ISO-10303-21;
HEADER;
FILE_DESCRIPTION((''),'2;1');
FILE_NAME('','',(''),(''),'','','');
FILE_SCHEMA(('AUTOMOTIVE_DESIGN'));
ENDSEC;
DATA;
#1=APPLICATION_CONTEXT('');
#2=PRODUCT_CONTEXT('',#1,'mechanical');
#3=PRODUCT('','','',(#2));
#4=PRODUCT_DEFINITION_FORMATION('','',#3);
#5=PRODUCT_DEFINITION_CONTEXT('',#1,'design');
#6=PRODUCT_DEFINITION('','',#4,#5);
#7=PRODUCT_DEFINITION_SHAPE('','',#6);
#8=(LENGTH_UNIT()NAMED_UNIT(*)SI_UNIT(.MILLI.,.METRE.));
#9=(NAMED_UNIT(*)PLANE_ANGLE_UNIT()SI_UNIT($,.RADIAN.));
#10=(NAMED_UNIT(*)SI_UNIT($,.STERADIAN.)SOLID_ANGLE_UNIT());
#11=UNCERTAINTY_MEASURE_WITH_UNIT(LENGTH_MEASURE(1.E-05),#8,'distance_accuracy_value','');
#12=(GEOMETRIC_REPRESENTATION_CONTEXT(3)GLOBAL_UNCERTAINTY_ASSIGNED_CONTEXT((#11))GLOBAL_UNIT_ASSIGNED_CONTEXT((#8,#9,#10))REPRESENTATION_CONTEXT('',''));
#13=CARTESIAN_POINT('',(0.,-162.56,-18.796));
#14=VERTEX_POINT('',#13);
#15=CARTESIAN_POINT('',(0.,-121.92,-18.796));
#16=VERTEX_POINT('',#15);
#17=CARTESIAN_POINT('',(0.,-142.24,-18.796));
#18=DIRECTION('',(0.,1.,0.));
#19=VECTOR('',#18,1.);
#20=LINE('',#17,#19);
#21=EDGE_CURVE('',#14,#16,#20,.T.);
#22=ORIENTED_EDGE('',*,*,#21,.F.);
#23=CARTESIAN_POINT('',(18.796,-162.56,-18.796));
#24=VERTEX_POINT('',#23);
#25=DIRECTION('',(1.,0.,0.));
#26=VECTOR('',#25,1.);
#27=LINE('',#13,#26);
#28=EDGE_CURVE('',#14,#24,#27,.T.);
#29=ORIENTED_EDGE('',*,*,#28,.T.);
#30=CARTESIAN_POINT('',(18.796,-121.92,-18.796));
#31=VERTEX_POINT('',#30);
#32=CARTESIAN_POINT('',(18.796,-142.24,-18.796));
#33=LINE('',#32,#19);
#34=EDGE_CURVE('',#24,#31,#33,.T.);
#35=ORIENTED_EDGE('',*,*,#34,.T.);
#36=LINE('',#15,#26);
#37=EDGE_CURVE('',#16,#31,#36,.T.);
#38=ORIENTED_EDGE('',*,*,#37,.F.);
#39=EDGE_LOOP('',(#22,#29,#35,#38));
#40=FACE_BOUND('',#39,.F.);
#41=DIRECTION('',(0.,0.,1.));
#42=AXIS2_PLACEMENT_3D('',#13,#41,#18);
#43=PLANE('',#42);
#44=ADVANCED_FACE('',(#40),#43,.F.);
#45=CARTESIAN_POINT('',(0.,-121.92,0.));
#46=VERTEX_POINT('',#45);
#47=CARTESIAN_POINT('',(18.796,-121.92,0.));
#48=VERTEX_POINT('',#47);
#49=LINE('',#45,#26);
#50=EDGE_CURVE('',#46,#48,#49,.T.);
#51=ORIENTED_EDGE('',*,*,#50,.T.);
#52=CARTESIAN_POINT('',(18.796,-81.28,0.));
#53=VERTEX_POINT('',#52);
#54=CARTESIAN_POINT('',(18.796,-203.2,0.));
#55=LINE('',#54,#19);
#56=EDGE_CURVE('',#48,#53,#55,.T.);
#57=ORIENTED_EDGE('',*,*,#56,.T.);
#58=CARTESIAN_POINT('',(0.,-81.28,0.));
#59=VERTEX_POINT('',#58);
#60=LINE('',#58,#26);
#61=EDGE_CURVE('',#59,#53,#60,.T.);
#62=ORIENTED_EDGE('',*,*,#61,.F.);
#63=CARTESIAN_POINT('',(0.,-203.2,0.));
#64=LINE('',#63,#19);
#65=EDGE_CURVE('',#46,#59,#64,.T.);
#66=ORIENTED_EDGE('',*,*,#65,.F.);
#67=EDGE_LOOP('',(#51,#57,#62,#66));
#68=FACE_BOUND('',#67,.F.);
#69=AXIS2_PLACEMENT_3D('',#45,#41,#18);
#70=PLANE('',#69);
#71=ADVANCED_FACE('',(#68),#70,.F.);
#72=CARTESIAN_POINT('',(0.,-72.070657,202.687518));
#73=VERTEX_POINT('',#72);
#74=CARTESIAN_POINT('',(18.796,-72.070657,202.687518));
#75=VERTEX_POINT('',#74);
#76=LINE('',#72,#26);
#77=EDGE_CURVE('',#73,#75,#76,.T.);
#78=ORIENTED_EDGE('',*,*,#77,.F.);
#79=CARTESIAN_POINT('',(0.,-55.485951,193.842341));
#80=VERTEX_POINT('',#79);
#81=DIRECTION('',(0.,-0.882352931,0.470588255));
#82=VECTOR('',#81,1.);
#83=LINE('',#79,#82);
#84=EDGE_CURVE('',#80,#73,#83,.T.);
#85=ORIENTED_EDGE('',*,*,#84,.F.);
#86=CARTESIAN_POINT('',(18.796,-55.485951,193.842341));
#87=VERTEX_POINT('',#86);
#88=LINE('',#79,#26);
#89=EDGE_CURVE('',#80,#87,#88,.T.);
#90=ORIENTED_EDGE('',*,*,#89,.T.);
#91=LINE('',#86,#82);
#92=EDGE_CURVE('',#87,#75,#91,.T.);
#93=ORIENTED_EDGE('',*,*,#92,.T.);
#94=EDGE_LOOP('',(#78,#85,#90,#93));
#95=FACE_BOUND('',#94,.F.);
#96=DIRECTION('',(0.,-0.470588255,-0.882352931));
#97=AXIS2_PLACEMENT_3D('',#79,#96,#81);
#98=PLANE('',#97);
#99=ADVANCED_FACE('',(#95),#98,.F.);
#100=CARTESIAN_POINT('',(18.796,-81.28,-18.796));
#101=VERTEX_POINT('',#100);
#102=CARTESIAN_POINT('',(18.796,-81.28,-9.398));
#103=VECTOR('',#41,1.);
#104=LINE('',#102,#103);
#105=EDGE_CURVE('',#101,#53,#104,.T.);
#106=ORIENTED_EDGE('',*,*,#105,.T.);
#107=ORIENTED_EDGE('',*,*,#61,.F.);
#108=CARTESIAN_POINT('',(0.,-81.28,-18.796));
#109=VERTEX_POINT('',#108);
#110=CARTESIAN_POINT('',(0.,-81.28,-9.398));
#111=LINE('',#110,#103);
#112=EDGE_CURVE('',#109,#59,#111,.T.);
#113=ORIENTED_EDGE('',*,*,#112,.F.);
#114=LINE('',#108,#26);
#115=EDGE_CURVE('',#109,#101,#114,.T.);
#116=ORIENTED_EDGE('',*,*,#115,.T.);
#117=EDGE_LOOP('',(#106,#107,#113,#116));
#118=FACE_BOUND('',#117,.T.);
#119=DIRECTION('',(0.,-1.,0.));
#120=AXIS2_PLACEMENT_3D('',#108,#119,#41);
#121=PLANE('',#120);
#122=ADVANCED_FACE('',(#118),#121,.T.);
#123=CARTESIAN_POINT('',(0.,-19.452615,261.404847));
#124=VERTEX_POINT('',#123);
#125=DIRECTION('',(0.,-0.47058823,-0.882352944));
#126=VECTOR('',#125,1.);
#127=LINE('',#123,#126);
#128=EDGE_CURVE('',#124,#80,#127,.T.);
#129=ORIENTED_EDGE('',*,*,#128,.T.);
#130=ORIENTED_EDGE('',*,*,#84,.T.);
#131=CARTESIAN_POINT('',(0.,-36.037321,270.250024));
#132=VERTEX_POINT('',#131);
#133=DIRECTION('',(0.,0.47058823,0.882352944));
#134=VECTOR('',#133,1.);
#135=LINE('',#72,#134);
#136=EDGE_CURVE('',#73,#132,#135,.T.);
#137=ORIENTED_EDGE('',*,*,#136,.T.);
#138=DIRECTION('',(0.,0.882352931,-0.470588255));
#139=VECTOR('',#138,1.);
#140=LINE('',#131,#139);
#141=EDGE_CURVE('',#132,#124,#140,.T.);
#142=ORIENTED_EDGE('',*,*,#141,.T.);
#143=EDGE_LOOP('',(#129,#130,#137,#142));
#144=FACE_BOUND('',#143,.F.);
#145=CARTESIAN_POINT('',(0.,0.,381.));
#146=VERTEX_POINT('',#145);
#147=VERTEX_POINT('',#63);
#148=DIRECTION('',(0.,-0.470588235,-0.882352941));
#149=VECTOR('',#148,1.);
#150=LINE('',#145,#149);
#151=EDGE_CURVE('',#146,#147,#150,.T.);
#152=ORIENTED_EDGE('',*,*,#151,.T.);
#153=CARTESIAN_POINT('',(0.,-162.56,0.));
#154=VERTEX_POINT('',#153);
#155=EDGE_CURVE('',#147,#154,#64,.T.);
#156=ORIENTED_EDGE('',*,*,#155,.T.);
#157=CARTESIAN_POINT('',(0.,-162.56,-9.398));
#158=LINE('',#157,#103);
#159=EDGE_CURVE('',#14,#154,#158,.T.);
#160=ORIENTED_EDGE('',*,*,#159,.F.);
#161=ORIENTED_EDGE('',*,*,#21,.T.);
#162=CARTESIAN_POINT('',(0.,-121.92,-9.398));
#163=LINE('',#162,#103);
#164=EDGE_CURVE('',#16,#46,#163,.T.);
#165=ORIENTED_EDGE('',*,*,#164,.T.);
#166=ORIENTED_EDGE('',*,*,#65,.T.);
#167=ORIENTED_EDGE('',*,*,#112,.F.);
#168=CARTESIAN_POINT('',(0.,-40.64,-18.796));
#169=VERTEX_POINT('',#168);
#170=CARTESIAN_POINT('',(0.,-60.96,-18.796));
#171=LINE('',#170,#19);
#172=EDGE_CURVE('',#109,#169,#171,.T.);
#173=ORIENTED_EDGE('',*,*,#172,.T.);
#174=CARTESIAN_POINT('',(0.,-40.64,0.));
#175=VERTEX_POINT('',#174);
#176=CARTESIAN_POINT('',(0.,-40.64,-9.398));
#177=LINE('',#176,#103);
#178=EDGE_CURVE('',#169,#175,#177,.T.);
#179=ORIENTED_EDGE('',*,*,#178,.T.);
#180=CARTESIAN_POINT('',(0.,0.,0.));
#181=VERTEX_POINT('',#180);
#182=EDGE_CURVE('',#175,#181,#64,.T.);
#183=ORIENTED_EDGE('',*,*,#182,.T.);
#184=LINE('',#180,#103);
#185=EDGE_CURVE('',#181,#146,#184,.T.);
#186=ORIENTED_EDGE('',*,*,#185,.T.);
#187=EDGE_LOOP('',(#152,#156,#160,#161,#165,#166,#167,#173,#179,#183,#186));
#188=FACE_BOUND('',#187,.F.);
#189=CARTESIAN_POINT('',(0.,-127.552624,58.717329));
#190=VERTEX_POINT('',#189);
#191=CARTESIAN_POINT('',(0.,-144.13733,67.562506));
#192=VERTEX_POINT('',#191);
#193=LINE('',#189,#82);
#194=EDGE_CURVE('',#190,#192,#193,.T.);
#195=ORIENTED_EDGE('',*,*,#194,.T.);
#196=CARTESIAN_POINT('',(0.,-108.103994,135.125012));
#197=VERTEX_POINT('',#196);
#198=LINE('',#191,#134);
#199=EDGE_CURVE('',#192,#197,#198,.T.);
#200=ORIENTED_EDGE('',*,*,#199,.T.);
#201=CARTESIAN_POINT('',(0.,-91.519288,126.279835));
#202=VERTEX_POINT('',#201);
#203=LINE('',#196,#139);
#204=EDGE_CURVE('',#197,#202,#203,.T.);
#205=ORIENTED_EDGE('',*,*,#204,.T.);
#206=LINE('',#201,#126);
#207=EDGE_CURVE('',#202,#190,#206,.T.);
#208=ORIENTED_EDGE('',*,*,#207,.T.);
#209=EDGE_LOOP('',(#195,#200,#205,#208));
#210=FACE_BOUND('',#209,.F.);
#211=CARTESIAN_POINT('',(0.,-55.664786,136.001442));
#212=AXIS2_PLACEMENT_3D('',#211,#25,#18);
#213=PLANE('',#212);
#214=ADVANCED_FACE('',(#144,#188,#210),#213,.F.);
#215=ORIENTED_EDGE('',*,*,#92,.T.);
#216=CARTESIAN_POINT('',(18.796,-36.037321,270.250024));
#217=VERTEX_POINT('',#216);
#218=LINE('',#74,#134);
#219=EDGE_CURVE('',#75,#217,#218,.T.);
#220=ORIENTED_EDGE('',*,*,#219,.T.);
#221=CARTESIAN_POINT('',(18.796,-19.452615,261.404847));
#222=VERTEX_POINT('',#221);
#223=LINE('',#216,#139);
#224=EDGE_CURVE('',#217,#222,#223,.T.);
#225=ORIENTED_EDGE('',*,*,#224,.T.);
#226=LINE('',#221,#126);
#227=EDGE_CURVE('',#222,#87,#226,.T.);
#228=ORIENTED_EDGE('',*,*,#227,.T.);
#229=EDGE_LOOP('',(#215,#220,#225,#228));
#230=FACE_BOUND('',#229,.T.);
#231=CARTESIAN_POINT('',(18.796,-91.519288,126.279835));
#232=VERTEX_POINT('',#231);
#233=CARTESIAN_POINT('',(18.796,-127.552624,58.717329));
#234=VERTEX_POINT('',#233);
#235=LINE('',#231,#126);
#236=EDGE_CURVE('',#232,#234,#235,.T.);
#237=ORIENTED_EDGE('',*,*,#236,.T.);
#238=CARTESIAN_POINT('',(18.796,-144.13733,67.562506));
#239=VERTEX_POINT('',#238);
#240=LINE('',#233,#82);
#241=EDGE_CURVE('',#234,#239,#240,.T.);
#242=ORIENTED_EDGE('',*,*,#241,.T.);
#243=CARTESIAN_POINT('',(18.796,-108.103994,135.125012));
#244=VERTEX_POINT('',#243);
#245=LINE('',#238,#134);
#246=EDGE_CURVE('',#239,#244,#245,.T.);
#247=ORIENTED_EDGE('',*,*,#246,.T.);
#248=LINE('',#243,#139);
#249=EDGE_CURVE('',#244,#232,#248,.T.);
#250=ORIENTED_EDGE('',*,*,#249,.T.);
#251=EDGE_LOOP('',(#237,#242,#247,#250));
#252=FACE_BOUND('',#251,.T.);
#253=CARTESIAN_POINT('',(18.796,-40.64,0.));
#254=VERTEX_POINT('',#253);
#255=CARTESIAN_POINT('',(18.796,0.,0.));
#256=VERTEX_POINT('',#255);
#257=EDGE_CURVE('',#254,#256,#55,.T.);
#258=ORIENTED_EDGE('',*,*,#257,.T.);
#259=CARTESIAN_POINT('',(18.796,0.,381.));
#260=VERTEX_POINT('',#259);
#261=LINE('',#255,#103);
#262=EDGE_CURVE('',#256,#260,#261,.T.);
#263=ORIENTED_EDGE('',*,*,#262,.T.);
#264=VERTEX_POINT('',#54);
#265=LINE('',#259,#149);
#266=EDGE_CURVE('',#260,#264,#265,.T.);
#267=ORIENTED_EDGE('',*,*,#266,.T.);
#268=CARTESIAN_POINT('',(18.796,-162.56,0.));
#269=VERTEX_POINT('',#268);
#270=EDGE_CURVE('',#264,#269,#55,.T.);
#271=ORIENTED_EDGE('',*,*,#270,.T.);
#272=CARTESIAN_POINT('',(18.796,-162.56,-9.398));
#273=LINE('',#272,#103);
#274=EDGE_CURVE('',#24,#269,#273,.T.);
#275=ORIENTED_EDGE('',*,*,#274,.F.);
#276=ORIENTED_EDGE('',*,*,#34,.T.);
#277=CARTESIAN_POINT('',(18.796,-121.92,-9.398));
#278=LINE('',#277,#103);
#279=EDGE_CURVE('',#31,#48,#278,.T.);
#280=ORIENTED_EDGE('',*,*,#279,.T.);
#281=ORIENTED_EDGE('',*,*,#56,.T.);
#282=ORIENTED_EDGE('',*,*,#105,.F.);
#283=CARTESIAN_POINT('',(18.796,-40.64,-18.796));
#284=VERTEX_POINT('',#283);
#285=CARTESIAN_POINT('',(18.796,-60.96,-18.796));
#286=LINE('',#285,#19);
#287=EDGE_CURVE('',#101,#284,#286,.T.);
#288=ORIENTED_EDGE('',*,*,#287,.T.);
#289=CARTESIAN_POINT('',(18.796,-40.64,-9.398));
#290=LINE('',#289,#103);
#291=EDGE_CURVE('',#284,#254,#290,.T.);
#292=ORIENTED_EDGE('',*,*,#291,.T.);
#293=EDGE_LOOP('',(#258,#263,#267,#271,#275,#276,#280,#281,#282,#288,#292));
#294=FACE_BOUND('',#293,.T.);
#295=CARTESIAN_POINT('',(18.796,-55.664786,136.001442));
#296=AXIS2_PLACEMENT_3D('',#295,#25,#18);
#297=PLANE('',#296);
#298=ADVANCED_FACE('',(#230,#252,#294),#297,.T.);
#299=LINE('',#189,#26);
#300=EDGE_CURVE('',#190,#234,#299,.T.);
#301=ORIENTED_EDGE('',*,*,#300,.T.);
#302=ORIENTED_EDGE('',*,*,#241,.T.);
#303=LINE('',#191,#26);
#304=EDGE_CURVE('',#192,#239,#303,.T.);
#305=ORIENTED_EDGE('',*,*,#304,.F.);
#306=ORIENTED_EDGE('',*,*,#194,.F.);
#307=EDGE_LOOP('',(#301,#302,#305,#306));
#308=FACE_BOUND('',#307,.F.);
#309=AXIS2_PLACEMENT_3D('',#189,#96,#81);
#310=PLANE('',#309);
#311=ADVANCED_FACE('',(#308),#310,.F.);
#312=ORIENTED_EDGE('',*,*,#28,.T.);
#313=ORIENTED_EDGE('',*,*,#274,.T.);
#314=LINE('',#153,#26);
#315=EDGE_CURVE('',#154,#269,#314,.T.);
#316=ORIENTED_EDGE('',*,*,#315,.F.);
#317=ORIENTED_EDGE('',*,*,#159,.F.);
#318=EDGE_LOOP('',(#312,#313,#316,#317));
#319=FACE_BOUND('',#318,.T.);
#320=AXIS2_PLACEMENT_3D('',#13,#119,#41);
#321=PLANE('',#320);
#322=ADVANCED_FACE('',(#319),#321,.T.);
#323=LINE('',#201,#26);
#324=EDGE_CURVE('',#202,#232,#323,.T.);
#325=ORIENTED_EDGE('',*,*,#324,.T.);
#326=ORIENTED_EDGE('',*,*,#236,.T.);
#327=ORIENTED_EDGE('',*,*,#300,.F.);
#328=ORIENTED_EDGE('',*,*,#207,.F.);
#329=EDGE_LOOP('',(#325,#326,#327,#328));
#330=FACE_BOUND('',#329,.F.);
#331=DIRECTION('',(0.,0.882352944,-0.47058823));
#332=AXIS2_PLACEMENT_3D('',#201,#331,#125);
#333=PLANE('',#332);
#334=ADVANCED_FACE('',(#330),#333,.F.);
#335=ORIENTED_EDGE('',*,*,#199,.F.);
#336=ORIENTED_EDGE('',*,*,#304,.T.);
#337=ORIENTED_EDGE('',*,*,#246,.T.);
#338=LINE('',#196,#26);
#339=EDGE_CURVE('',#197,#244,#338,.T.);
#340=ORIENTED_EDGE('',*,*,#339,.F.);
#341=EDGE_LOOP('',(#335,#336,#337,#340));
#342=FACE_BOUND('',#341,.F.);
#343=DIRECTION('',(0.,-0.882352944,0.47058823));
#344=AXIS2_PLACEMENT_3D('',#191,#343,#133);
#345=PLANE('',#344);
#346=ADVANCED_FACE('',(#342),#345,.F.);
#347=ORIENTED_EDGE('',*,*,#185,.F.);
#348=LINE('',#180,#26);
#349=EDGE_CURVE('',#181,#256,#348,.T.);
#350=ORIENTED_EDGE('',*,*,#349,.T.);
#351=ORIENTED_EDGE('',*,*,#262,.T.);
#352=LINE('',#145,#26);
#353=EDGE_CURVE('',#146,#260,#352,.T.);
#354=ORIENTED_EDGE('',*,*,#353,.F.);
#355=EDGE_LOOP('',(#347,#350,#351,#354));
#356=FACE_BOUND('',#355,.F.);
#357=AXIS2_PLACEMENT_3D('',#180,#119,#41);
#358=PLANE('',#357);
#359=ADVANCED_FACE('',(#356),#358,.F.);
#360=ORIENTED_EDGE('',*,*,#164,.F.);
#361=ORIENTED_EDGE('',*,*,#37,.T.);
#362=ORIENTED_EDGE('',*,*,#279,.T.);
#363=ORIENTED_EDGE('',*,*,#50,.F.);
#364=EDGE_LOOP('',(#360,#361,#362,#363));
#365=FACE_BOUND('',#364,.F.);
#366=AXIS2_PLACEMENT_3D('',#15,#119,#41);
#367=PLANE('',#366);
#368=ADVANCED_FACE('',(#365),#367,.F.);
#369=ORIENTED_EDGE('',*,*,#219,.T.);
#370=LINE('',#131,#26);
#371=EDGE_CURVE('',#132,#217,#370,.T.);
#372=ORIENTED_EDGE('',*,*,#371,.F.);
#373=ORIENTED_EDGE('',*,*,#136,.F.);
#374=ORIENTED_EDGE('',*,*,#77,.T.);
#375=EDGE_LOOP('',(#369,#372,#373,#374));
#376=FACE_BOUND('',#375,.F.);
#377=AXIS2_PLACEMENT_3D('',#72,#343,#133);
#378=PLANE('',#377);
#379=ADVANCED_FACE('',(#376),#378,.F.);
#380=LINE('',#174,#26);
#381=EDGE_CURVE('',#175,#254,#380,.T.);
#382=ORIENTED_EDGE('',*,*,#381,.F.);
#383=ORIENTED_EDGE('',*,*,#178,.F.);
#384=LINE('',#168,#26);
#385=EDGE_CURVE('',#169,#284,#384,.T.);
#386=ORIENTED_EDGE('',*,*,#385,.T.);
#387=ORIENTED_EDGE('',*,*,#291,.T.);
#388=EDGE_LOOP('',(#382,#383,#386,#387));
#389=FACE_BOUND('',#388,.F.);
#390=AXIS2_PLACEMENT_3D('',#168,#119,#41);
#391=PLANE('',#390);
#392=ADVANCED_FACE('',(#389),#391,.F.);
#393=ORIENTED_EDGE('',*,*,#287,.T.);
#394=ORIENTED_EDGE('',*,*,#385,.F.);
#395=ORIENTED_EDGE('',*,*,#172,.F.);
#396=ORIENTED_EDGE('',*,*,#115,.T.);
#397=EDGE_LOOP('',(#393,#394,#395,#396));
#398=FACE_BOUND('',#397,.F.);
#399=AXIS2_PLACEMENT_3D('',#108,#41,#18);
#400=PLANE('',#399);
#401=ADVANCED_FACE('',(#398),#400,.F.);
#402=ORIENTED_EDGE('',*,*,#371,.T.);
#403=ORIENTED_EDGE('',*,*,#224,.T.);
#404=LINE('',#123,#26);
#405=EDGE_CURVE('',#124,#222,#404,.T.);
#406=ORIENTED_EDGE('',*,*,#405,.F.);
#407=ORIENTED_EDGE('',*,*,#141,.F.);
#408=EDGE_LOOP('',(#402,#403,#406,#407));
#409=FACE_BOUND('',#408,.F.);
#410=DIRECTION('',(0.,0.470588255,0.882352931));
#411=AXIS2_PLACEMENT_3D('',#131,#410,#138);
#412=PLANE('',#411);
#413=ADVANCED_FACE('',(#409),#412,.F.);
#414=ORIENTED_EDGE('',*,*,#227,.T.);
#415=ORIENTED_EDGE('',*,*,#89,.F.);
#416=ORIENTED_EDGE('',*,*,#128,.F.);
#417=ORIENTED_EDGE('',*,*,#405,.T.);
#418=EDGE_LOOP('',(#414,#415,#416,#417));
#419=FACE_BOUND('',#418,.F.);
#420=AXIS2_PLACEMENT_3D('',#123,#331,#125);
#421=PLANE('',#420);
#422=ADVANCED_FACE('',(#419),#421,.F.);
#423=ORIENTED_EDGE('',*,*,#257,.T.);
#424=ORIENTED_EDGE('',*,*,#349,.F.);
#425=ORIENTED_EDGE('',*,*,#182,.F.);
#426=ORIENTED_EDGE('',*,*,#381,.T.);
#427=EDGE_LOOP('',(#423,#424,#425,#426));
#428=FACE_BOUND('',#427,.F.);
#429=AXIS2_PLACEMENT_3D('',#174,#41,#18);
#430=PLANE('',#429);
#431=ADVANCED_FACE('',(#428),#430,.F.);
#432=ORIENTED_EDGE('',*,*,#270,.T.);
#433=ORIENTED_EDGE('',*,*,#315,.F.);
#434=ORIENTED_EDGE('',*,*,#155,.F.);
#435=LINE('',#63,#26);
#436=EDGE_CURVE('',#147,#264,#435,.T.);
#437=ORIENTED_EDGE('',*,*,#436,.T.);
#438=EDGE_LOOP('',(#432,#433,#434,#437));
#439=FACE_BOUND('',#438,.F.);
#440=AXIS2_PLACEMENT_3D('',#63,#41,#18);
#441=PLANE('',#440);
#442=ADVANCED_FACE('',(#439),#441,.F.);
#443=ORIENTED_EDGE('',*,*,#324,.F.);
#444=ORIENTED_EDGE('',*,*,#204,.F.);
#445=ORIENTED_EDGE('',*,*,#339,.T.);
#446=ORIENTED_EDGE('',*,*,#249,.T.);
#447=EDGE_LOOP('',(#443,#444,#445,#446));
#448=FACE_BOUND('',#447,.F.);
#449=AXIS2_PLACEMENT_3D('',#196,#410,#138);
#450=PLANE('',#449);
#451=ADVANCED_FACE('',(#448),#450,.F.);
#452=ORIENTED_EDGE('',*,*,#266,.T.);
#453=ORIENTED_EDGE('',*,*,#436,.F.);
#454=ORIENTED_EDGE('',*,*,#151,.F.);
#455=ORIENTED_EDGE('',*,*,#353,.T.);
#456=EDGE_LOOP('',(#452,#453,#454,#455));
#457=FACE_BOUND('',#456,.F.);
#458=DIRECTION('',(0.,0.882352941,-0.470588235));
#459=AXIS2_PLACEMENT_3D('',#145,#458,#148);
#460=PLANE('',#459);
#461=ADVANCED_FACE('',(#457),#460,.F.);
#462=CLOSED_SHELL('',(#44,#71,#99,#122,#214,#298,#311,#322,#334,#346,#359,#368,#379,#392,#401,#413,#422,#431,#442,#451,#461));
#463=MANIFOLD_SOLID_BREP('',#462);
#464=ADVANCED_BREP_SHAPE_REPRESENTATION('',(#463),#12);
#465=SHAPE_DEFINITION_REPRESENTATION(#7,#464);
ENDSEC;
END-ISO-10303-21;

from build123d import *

# Parameters (mm, degrees)
F0_W     = 40.64
F0_H     = 18.796
F1_DEPTH = 18.796


with BuildPart() as f1:
    # F0 (on Right) → F1 (new body)
    with BuildSketch(Plane.YZ):
        Polygon((-40.64, 0), (0, 0), (0, 337.82), (-36.037321, 270.250024), (-19.452615, 261.404847), (-55.485951, 193.842341), (-72.070657, 202.687518), (-108.103994, 135.125012), (-91.519288, 126.279835), (-127.552624, 58.717329), (-144.13733, 67.562506), (-180.170667, 0), (-162.56, 0), (-121.92, 0), (-101.6, 0), (-81.28, 0), align=None)
        Polygon((-36.037321, 270.250024), (0, 337.82), (0, 381), (-203.2, 0), (-180.170667, 0), (-144.13733, 67.562506), (-108.103994, 135.125012), (-72.070657, 202.687518), align=None)
        with Locations((-60.96, -9.398)):
            Rectangle(F0_W, F0_H)
        with Locations((-142.24, -9.398)):
            Rectangle(F0_W, F0_H)
    extrude(amount=F1_DEPTH)


solid = f1.part
